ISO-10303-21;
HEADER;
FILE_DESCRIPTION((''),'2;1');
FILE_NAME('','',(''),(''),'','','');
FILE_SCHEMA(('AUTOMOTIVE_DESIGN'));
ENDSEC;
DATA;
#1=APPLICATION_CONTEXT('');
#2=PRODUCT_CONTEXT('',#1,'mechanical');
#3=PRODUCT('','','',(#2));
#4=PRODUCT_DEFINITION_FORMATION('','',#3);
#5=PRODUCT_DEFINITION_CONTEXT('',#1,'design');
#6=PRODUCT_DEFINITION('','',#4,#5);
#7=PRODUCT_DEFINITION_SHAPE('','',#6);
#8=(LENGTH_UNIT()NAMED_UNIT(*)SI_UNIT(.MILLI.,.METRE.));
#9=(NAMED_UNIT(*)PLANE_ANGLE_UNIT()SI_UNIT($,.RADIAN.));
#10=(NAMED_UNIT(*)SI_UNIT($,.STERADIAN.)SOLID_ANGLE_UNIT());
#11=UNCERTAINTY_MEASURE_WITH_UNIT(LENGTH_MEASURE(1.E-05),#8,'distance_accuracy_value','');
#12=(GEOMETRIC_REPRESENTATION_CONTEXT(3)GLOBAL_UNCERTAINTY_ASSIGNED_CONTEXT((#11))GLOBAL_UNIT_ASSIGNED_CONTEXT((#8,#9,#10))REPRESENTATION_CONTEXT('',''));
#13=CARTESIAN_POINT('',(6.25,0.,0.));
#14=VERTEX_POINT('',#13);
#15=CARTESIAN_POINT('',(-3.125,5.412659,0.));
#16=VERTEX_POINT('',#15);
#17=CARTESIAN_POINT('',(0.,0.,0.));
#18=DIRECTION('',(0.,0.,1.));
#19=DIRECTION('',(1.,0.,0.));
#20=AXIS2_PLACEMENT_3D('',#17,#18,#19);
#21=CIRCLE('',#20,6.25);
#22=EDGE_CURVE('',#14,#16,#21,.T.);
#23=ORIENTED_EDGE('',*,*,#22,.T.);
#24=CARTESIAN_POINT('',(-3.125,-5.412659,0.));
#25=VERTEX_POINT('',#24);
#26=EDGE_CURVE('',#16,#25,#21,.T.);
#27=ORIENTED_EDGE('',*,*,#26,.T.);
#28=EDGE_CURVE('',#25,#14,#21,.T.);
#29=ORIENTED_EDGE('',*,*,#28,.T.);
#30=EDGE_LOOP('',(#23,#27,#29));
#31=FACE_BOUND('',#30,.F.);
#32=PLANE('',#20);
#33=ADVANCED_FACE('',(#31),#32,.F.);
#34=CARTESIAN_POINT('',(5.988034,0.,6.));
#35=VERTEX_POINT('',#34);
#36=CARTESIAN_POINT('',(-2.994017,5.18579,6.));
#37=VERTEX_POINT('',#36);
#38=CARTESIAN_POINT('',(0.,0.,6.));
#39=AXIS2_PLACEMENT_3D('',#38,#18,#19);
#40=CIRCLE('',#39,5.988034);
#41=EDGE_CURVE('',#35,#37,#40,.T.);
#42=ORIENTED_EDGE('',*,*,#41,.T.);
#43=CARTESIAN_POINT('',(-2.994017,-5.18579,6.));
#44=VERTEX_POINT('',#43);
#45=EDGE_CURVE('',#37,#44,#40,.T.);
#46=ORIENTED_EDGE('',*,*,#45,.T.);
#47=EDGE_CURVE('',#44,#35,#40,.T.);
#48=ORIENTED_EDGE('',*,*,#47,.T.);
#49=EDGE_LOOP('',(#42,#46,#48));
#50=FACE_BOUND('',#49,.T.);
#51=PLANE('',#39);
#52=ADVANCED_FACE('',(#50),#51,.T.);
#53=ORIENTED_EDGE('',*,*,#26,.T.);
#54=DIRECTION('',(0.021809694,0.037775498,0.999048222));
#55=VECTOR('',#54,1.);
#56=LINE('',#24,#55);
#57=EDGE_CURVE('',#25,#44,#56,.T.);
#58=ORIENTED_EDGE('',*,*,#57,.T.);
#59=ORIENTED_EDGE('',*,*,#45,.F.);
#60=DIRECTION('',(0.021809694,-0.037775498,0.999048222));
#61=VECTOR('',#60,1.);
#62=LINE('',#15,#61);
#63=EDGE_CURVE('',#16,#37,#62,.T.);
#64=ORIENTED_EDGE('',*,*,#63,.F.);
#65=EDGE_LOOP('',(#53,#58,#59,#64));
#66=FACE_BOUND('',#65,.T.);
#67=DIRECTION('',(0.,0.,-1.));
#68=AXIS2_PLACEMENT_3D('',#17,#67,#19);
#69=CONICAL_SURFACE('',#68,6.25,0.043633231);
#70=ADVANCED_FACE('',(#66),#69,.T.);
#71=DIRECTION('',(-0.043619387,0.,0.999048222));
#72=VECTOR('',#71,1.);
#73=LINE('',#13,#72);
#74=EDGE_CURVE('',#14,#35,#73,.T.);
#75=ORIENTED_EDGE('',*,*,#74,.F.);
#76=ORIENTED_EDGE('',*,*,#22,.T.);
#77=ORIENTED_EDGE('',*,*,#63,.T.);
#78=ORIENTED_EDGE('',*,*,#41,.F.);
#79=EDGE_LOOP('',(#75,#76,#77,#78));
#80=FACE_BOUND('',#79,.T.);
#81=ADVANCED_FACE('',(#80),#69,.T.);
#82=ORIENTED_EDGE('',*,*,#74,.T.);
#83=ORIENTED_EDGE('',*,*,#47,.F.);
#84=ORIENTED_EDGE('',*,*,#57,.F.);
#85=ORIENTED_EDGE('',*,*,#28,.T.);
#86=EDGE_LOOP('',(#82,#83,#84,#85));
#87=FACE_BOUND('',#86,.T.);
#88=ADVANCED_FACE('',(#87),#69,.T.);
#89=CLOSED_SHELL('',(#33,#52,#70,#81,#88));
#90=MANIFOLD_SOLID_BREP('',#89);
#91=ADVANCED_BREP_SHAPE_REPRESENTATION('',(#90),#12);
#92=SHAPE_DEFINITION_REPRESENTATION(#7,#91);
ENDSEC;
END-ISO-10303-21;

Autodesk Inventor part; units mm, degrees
ref_plane "XZ Plane" through (0, 0, 0) normal (0, 1, 0) x (-1, 0, 0)
sketch "Sketch6" plane through (0, 0, 0) normal (0, 0, 1) x (1, 0, 0)
  circle A0 centre (0, 0) radius 6.25
  dimension "d34" = 12.5
extrude "Extrusion4" add sketch "Sketch6" along normal blind 6 draft -2.5
properties part number "20_Cube_Insert_VCAmount2_inside_2"
